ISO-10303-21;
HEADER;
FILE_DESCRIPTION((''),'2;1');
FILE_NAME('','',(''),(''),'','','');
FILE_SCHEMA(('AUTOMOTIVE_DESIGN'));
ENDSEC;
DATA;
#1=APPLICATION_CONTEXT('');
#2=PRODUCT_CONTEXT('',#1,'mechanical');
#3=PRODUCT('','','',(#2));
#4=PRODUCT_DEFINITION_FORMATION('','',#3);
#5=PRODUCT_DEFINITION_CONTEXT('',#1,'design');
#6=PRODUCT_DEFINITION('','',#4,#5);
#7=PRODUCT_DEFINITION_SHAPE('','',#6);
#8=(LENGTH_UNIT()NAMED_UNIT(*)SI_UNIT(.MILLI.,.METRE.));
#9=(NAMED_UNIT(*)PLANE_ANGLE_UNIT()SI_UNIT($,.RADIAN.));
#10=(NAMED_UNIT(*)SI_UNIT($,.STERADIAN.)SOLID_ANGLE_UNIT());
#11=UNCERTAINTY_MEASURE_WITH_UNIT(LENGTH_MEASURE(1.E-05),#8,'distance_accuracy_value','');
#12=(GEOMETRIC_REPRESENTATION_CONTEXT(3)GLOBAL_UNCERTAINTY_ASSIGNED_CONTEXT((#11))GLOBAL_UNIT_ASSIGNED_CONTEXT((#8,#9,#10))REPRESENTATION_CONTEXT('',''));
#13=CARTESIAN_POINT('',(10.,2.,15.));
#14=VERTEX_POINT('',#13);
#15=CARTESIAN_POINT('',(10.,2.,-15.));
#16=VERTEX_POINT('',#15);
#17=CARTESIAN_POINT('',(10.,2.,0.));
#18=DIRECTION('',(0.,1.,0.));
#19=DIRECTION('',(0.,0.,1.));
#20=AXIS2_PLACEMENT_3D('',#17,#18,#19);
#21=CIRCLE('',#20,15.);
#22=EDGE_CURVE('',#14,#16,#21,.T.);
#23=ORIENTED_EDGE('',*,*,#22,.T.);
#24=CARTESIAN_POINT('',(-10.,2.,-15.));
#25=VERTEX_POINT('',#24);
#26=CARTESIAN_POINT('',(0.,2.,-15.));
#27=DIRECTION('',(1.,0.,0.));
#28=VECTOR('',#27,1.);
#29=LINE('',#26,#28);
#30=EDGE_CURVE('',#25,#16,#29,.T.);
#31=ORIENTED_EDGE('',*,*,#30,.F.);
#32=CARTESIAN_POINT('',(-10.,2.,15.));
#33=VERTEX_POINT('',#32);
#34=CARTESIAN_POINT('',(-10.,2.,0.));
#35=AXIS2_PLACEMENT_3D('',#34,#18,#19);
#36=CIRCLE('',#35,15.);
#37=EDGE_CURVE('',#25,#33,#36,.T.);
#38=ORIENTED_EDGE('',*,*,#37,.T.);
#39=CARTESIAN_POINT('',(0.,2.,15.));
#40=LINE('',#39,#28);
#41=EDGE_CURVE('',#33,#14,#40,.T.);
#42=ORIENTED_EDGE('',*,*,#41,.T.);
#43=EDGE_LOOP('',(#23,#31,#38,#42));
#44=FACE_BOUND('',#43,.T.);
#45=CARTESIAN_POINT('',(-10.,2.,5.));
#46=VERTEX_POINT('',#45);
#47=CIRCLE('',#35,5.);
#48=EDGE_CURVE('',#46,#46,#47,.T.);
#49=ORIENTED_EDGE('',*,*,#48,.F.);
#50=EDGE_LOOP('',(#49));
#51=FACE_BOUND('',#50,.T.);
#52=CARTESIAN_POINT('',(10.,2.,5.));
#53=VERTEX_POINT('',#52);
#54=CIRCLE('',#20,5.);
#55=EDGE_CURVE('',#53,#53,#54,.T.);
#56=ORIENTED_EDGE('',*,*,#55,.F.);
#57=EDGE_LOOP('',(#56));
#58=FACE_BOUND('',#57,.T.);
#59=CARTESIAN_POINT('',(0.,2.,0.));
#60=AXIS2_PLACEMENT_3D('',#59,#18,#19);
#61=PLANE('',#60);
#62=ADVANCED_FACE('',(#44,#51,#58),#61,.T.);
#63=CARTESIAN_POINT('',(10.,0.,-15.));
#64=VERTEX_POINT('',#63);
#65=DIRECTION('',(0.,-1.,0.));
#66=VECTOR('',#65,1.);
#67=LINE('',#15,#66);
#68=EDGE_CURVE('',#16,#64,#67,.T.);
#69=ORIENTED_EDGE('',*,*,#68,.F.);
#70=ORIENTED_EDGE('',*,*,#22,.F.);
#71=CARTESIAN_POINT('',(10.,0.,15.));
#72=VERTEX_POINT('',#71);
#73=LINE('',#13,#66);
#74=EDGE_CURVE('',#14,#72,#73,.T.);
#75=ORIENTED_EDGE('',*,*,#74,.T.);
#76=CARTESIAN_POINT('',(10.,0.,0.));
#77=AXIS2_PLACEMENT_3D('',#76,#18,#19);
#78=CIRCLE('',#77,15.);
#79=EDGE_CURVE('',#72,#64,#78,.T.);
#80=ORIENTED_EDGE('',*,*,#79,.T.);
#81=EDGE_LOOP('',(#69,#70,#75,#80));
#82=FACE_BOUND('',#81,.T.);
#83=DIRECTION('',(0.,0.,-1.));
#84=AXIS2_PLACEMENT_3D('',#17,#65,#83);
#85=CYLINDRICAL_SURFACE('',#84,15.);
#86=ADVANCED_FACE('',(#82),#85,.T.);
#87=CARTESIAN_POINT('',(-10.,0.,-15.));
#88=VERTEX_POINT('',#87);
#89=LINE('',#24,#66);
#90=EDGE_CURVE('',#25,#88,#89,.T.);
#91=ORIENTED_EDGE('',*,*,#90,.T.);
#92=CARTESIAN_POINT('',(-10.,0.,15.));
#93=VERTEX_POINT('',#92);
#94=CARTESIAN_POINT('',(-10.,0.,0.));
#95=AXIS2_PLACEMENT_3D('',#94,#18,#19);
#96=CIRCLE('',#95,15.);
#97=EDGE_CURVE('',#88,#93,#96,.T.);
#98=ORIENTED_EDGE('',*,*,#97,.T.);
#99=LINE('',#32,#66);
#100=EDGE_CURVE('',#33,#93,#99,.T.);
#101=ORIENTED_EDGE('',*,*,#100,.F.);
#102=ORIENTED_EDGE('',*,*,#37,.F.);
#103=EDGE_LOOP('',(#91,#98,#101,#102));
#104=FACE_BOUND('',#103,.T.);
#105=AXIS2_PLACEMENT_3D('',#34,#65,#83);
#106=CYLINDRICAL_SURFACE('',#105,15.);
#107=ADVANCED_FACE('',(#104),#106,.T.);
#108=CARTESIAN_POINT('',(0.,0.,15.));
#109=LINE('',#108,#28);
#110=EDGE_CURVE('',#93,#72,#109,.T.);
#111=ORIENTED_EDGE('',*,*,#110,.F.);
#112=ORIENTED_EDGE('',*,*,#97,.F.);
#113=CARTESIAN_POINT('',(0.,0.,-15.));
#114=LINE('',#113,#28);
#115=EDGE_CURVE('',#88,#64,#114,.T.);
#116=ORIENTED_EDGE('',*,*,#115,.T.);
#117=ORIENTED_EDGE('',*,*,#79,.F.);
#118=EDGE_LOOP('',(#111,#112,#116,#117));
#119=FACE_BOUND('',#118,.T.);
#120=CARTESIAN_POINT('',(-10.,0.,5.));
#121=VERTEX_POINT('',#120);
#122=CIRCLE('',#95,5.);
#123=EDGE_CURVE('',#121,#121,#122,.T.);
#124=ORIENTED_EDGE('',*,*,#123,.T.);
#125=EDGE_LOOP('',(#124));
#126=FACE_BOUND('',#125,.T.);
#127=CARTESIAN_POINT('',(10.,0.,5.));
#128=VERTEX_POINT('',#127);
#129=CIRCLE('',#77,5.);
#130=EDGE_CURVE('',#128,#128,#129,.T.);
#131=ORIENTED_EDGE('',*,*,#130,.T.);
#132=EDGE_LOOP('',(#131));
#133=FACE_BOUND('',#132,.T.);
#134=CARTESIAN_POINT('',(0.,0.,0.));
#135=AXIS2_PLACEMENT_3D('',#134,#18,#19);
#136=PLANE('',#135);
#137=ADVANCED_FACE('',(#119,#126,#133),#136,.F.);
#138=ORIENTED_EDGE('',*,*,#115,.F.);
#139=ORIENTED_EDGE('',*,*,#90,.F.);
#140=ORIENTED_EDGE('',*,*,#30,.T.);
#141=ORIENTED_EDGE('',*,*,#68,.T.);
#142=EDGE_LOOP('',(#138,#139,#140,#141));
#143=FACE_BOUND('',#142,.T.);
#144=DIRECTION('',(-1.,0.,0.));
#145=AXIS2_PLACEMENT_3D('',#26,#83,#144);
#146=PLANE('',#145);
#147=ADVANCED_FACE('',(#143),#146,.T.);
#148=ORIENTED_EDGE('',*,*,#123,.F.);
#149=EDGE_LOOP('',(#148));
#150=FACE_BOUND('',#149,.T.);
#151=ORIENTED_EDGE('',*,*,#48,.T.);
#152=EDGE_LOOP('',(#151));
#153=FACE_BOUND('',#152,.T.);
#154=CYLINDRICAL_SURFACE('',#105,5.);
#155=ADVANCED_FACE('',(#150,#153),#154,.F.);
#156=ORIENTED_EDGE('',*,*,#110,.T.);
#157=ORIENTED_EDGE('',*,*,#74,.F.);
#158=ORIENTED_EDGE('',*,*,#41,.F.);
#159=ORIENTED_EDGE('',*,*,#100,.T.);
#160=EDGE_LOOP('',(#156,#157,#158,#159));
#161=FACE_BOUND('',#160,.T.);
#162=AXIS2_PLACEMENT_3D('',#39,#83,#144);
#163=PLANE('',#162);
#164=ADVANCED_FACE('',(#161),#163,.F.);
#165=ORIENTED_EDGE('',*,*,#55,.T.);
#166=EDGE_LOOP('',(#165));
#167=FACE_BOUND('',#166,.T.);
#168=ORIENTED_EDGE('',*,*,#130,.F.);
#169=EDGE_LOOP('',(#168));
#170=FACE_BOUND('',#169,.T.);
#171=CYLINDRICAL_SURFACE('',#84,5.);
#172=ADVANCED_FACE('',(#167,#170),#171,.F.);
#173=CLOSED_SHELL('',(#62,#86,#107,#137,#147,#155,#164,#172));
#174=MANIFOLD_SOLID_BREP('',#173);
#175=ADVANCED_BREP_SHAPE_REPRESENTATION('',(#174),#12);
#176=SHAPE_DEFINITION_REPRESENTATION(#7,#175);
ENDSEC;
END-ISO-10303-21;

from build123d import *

# Parameters (mm, degrees)
SKETCH1_R           = 5
BOSS_EXTRUDE1_DEPTH = 2


with BuildPart() as part:
    # Sketch1 → Boss-Extrude1 (new body)
    with BuildSketch(Plane(origin=(0, 0, 0), x_dir=(1, 0, 0), z_dir=(0, 1, 0))):
        with BuildLine():
            Line((-10, 15), (10, 15))
            ThreePointArc((10, 15), (25, 0), (10, -15))
            Line((10, -15), (-10, -15))
            ThreePointArc((-10, -15), (-25, 0), (-10, 15))
        make_face()
        with Locations(Location((10, 0, 0), (0, 0, 270))):
            Circle(SKETCH1_R, mode=Mode.SUBTRACT)
        with Locations(Location((-10, 0, 0), (0, 0, 270))):
            Circle(SKETCH1_R, mode=Mode.SUBTRACT)
    extrude(amount=BOSS_EXTRUDE1_DEPTH)


solid = part.part
